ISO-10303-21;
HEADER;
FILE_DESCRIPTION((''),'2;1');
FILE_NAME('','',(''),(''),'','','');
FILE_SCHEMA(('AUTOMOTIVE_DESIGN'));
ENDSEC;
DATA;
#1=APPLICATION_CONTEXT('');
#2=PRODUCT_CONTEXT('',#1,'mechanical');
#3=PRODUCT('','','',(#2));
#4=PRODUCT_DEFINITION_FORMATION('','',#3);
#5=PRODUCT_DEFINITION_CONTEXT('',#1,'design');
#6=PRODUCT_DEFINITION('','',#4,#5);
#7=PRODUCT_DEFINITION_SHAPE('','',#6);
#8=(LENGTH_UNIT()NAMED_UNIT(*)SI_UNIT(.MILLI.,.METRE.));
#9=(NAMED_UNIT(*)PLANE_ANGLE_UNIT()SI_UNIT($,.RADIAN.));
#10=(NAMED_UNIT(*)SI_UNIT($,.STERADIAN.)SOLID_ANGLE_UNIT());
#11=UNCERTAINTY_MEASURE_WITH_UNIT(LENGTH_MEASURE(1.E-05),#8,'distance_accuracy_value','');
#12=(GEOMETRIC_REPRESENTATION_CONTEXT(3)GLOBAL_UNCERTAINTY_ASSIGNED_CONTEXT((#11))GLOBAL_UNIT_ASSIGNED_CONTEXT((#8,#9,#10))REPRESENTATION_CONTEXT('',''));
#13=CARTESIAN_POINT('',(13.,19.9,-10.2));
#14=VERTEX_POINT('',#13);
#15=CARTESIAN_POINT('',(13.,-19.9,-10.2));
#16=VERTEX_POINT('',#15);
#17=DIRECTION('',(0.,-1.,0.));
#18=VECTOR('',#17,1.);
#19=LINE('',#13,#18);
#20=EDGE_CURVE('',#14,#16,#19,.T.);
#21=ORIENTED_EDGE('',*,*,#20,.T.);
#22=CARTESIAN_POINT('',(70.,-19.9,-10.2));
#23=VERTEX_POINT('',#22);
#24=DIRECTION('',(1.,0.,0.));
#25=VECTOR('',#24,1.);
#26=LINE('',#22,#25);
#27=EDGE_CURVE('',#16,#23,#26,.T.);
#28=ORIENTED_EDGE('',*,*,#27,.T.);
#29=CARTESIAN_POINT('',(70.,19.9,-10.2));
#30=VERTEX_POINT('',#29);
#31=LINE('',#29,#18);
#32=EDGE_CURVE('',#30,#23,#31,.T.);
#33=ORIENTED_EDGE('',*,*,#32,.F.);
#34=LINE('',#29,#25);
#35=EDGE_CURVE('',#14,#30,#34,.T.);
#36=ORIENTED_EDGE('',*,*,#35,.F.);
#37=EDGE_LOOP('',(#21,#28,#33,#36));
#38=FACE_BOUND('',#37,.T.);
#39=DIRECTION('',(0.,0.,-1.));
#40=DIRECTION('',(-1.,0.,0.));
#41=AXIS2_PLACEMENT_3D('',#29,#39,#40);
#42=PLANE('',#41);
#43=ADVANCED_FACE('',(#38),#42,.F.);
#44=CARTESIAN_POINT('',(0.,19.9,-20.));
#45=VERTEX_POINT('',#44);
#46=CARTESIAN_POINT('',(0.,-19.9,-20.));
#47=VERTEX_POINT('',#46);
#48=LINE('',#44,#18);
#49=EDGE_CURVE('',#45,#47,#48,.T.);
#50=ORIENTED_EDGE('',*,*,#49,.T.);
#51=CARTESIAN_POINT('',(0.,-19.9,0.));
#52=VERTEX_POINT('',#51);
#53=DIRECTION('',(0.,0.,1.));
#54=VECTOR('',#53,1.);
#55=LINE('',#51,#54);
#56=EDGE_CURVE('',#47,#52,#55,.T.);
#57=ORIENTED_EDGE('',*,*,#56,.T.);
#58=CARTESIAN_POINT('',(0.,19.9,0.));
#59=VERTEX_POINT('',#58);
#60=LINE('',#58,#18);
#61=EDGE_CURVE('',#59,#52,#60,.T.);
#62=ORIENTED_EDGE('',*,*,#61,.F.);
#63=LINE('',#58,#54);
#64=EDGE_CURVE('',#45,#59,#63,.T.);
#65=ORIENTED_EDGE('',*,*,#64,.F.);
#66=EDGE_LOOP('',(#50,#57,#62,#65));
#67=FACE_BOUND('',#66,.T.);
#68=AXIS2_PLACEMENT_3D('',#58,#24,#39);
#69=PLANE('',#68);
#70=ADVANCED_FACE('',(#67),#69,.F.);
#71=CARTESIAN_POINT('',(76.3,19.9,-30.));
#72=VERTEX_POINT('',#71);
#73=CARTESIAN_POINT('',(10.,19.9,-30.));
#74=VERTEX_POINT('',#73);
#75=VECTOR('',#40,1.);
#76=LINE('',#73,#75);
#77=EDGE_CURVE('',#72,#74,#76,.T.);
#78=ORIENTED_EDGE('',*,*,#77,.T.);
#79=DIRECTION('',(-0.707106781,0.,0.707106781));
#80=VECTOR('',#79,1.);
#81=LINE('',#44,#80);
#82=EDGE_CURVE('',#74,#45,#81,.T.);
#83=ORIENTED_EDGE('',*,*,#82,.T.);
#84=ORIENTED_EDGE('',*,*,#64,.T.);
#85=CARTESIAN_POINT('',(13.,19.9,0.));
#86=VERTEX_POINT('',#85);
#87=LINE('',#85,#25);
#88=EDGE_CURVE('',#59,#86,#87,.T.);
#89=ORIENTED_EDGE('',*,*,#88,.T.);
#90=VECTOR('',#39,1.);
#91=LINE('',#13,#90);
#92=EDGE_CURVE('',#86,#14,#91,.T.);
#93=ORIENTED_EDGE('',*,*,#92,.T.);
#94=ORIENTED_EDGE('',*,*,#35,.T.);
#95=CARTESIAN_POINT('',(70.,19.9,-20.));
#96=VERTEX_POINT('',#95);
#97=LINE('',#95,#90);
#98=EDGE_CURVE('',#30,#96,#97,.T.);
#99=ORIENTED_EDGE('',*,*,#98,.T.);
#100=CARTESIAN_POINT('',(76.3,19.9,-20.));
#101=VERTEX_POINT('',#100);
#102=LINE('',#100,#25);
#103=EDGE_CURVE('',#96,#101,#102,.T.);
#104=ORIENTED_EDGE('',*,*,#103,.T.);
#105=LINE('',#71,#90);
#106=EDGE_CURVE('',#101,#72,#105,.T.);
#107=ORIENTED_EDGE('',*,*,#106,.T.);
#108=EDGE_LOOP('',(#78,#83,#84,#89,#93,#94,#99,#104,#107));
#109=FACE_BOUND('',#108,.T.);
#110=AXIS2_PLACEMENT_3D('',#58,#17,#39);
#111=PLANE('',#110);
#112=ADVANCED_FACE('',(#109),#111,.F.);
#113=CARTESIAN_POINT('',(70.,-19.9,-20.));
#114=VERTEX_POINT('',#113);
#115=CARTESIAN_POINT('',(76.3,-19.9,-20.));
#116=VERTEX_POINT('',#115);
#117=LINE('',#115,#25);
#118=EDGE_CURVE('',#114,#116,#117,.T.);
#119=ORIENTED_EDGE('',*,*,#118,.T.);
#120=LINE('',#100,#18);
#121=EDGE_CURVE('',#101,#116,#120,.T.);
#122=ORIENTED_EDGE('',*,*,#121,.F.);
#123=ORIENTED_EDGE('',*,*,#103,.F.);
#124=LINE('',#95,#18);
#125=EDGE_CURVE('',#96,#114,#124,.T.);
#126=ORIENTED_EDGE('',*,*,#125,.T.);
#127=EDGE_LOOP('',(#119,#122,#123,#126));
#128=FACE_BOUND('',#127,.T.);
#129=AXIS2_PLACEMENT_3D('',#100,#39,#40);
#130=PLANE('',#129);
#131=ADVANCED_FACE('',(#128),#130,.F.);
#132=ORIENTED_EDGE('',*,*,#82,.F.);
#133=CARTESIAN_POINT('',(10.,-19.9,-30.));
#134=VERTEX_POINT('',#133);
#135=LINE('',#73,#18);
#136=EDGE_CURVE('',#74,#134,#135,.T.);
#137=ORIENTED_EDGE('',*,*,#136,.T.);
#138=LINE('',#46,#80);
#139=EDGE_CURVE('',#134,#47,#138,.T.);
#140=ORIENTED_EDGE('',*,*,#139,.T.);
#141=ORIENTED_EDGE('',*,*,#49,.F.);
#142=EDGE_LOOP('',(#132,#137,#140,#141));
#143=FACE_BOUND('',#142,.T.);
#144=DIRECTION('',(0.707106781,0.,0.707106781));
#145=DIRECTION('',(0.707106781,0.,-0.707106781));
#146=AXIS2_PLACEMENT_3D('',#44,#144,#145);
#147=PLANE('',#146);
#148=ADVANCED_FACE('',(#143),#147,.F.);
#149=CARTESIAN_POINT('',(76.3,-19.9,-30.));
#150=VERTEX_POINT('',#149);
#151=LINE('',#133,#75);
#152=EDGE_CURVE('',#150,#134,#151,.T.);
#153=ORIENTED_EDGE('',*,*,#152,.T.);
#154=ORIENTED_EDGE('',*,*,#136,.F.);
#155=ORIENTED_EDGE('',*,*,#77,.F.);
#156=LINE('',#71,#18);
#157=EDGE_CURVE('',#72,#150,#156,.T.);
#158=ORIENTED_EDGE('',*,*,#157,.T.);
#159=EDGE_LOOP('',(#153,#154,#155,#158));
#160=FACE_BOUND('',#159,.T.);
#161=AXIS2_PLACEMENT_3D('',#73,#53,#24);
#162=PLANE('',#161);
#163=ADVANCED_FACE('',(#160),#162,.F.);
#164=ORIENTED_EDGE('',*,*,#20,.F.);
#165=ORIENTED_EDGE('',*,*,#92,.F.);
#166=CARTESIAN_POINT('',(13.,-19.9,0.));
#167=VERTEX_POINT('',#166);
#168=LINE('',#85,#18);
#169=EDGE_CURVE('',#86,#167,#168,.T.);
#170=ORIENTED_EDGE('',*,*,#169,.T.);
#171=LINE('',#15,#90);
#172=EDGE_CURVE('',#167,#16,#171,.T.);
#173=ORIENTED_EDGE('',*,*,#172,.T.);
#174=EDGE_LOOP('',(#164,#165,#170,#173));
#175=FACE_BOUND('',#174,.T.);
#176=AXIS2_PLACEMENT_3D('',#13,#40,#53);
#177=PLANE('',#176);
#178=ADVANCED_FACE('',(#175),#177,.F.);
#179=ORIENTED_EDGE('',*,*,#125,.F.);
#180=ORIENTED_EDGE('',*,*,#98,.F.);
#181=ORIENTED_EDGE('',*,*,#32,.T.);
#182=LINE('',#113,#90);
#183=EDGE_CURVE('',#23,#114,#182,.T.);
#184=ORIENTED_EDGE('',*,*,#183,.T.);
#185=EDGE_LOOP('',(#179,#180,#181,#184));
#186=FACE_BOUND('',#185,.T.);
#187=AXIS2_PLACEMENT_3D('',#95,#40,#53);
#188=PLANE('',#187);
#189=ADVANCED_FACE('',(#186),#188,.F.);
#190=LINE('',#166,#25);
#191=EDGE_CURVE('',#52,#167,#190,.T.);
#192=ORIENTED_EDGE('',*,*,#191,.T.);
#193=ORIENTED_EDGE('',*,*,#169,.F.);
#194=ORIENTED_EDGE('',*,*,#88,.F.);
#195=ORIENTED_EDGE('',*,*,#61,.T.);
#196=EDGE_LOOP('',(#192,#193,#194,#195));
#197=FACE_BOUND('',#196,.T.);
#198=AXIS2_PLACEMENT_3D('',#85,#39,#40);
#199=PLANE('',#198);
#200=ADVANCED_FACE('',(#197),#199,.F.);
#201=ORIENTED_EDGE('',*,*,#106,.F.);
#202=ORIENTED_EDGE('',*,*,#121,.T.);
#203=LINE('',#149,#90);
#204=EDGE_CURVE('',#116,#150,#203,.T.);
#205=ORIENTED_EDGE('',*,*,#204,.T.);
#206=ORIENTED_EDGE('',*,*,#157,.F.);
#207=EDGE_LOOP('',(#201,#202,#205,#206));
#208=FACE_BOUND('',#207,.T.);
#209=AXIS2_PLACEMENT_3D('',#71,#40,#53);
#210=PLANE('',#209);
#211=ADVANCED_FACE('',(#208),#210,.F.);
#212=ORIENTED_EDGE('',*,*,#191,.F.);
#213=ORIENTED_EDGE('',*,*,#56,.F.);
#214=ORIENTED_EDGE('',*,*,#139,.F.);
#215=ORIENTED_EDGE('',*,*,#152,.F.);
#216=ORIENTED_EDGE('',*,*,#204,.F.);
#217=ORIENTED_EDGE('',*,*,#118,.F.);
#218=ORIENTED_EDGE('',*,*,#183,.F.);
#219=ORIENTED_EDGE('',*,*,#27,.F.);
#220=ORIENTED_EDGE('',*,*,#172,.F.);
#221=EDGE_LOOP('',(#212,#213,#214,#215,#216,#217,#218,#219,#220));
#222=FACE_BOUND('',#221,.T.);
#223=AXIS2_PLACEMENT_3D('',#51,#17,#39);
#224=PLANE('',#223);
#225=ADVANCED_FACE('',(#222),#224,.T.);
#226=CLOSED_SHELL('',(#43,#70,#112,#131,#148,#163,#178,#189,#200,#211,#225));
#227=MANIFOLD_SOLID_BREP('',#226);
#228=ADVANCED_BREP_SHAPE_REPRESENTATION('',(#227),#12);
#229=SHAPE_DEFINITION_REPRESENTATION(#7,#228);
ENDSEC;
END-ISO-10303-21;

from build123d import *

# Parameters (mm, degrees)
BOSS_EXTRUDE1_DEPTH = 19.9


with BuildPart() as part:
    # Sketch1 → Boss-Extrude1 (new, symmetric)
    with BuildSketch(Plane(origin=(0, 0, 0), x_dir=(1, 0, 0), z_dir=(0, 1, 0))):
        Polygon((0, 0), (0, 20), (10, 30), (76.3, 30), (76.3, 20), (70, 20), (70, 10.2), (13, 10.2), (13, 0), align=None)
    extrude(amount=BOSS_EXTRUDE1_DEPTH, both=True)


solid = part.part
